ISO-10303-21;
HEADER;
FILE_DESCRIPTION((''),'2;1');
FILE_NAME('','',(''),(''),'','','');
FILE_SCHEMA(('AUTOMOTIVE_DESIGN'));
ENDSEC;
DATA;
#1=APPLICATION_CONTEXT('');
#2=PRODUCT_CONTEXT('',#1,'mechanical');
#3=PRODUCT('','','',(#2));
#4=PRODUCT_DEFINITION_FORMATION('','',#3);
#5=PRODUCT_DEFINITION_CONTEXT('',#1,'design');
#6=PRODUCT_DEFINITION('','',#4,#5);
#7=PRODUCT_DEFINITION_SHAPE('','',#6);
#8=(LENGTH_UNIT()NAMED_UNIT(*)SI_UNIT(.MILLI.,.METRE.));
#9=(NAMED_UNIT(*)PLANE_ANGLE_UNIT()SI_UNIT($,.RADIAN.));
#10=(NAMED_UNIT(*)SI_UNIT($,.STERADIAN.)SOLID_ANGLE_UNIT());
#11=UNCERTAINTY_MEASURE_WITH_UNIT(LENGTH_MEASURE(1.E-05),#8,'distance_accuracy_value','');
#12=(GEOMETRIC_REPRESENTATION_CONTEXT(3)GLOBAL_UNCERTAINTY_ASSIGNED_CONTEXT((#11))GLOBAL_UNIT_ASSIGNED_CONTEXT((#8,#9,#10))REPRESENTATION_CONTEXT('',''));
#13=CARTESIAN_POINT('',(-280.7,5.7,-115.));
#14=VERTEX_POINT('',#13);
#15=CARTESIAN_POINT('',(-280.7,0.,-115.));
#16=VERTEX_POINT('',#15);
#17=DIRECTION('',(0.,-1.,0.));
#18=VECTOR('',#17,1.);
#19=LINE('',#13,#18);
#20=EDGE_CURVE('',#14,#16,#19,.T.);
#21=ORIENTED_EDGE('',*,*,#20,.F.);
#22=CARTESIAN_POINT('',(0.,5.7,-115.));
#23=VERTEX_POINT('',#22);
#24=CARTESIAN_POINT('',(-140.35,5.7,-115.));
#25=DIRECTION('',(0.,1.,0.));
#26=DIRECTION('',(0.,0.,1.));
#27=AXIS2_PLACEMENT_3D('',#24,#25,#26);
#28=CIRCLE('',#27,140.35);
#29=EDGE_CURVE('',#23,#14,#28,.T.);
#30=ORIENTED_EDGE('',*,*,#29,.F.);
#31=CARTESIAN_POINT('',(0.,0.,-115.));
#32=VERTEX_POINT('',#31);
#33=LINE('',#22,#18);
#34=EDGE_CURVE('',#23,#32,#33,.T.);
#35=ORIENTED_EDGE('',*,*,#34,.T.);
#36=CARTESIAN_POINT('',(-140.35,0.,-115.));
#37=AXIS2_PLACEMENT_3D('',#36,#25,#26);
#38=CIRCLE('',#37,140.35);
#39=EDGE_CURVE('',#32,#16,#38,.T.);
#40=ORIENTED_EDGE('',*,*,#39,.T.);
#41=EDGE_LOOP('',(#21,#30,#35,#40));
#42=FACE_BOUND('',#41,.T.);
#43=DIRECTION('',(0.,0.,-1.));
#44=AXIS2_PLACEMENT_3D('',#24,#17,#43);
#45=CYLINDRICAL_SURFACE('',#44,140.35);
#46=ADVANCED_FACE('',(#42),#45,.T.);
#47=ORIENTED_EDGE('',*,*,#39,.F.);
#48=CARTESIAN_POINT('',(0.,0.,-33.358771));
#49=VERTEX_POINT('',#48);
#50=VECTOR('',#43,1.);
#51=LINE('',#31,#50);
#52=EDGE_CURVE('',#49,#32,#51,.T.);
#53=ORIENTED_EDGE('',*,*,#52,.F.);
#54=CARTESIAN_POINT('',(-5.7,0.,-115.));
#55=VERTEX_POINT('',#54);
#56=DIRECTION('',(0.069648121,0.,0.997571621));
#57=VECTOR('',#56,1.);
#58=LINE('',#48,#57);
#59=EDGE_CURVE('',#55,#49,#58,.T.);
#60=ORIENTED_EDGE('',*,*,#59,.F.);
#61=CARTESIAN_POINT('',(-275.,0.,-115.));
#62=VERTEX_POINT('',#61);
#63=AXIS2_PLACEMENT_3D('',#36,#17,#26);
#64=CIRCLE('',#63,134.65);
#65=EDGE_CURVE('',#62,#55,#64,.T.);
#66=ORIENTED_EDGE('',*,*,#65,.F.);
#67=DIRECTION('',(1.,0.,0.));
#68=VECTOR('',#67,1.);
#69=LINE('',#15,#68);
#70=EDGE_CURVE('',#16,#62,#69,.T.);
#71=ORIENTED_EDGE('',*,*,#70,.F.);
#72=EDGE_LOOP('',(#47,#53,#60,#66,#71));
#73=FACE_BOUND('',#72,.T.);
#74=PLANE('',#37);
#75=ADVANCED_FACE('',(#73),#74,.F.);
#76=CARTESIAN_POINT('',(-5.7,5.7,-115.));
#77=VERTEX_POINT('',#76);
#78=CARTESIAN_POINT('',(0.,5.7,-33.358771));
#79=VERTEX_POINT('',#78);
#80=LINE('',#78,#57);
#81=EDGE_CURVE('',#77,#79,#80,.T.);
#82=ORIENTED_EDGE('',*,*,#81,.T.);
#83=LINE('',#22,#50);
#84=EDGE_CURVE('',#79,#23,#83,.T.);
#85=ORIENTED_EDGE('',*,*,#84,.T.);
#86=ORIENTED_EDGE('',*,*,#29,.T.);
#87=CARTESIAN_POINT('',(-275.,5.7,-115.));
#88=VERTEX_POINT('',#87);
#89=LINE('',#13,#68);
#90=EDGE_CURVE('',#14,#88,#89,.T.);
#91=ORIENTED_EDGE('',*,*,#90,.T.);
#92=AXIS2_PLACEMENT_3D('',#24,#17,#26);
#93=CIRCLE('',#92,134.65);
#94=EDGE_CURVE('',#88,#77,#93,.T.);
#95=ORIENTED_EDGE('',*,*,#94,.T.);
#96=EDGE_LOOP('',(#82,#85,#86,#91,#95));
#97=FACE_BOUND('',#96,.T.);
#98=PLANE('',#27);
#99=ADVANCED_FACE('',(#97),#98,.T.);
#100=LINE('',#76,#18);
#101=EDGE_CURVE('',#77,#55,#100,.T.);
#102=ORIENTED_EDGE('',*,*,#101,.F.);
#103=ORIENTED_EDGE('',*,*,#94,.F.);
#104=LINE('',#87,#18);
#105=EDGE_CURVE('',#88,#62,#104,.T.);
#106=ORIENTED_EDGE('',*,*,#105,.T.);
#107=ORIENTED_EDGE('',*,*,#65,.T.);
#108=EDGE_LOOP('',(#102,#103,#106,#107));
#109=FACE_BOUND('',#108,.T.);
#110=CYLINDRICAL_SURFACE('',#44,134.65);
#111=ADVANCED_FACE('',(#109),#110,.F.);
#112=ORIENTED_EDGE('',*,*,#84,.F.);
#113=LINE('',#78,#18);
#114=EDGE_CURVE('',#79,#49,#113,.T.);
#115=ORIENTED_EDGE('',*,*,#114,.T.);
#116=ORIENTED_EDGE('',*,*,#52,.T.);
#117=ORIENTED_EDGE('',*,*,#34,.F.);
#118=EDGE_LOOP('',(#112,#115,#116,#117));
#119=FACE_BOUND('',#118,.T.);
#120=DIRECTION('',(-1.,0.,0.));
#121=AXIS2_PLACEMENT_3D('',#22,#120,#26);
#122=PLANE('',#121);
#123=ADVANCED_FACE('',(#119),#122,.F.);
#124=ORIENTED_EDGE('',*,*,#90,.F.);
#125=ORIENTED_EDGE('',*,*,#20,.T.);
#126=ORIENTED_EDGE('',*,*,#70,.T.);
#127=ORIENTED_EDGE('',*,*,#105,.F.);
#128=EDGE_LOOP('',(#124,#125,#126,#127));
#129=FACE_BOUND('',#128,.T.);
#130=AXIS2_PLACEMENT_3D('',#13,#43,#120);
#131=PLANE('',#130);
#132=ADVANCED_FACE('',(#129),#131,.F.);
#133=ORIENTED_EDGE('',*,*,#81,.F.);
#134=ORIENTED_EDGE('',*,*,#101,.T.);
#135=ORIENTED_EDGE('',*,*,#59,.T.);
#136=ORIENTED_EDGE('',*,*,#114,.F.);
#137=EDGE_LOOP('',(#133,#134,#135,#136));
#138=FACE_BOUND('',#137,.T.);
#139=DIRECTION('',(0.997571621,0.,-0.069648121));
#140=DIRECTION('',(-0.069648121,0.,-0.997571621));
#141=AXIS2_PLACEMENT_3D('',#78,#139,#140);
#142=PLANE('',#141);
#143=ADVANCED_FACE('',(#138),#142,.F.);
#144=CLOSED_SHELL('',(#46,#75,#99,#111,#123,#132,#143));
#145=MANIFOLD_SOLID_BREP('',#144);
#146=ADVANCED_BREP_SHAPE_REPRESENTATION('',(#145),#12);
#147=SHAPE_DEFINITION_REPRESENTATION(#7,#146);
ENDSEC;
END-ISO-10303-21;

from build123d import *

# Parameters (mm, degrees)
BOSS_EXTRUDE1_DEPTH = 5.7


with BuildPart() as part:
    # Sketch1 → Boss-Extrude1 (new body)
    with BuildSketch(Plane(origin=(0, 0, 0), x_dir=(1, 0, 0), z_dir=(0, 1, 0))):
        with BuildLine():
            Line((-280.7, 115), (-275, 115))
            ThreePointArc((-275, 115), (-140.35, 249.65), (-5.7, 115))
            Line((-5.7, 115), (0, 33.358770855))
            Line((0, 33.358770855), (0, 115))
            ThreePointArc((0, 115), (-140.35, 255.35), (-280.7, 115))
        make_face()
    extrude(amount=BOSS_EXTRUDE1_DEPTH)


solid = part.part
